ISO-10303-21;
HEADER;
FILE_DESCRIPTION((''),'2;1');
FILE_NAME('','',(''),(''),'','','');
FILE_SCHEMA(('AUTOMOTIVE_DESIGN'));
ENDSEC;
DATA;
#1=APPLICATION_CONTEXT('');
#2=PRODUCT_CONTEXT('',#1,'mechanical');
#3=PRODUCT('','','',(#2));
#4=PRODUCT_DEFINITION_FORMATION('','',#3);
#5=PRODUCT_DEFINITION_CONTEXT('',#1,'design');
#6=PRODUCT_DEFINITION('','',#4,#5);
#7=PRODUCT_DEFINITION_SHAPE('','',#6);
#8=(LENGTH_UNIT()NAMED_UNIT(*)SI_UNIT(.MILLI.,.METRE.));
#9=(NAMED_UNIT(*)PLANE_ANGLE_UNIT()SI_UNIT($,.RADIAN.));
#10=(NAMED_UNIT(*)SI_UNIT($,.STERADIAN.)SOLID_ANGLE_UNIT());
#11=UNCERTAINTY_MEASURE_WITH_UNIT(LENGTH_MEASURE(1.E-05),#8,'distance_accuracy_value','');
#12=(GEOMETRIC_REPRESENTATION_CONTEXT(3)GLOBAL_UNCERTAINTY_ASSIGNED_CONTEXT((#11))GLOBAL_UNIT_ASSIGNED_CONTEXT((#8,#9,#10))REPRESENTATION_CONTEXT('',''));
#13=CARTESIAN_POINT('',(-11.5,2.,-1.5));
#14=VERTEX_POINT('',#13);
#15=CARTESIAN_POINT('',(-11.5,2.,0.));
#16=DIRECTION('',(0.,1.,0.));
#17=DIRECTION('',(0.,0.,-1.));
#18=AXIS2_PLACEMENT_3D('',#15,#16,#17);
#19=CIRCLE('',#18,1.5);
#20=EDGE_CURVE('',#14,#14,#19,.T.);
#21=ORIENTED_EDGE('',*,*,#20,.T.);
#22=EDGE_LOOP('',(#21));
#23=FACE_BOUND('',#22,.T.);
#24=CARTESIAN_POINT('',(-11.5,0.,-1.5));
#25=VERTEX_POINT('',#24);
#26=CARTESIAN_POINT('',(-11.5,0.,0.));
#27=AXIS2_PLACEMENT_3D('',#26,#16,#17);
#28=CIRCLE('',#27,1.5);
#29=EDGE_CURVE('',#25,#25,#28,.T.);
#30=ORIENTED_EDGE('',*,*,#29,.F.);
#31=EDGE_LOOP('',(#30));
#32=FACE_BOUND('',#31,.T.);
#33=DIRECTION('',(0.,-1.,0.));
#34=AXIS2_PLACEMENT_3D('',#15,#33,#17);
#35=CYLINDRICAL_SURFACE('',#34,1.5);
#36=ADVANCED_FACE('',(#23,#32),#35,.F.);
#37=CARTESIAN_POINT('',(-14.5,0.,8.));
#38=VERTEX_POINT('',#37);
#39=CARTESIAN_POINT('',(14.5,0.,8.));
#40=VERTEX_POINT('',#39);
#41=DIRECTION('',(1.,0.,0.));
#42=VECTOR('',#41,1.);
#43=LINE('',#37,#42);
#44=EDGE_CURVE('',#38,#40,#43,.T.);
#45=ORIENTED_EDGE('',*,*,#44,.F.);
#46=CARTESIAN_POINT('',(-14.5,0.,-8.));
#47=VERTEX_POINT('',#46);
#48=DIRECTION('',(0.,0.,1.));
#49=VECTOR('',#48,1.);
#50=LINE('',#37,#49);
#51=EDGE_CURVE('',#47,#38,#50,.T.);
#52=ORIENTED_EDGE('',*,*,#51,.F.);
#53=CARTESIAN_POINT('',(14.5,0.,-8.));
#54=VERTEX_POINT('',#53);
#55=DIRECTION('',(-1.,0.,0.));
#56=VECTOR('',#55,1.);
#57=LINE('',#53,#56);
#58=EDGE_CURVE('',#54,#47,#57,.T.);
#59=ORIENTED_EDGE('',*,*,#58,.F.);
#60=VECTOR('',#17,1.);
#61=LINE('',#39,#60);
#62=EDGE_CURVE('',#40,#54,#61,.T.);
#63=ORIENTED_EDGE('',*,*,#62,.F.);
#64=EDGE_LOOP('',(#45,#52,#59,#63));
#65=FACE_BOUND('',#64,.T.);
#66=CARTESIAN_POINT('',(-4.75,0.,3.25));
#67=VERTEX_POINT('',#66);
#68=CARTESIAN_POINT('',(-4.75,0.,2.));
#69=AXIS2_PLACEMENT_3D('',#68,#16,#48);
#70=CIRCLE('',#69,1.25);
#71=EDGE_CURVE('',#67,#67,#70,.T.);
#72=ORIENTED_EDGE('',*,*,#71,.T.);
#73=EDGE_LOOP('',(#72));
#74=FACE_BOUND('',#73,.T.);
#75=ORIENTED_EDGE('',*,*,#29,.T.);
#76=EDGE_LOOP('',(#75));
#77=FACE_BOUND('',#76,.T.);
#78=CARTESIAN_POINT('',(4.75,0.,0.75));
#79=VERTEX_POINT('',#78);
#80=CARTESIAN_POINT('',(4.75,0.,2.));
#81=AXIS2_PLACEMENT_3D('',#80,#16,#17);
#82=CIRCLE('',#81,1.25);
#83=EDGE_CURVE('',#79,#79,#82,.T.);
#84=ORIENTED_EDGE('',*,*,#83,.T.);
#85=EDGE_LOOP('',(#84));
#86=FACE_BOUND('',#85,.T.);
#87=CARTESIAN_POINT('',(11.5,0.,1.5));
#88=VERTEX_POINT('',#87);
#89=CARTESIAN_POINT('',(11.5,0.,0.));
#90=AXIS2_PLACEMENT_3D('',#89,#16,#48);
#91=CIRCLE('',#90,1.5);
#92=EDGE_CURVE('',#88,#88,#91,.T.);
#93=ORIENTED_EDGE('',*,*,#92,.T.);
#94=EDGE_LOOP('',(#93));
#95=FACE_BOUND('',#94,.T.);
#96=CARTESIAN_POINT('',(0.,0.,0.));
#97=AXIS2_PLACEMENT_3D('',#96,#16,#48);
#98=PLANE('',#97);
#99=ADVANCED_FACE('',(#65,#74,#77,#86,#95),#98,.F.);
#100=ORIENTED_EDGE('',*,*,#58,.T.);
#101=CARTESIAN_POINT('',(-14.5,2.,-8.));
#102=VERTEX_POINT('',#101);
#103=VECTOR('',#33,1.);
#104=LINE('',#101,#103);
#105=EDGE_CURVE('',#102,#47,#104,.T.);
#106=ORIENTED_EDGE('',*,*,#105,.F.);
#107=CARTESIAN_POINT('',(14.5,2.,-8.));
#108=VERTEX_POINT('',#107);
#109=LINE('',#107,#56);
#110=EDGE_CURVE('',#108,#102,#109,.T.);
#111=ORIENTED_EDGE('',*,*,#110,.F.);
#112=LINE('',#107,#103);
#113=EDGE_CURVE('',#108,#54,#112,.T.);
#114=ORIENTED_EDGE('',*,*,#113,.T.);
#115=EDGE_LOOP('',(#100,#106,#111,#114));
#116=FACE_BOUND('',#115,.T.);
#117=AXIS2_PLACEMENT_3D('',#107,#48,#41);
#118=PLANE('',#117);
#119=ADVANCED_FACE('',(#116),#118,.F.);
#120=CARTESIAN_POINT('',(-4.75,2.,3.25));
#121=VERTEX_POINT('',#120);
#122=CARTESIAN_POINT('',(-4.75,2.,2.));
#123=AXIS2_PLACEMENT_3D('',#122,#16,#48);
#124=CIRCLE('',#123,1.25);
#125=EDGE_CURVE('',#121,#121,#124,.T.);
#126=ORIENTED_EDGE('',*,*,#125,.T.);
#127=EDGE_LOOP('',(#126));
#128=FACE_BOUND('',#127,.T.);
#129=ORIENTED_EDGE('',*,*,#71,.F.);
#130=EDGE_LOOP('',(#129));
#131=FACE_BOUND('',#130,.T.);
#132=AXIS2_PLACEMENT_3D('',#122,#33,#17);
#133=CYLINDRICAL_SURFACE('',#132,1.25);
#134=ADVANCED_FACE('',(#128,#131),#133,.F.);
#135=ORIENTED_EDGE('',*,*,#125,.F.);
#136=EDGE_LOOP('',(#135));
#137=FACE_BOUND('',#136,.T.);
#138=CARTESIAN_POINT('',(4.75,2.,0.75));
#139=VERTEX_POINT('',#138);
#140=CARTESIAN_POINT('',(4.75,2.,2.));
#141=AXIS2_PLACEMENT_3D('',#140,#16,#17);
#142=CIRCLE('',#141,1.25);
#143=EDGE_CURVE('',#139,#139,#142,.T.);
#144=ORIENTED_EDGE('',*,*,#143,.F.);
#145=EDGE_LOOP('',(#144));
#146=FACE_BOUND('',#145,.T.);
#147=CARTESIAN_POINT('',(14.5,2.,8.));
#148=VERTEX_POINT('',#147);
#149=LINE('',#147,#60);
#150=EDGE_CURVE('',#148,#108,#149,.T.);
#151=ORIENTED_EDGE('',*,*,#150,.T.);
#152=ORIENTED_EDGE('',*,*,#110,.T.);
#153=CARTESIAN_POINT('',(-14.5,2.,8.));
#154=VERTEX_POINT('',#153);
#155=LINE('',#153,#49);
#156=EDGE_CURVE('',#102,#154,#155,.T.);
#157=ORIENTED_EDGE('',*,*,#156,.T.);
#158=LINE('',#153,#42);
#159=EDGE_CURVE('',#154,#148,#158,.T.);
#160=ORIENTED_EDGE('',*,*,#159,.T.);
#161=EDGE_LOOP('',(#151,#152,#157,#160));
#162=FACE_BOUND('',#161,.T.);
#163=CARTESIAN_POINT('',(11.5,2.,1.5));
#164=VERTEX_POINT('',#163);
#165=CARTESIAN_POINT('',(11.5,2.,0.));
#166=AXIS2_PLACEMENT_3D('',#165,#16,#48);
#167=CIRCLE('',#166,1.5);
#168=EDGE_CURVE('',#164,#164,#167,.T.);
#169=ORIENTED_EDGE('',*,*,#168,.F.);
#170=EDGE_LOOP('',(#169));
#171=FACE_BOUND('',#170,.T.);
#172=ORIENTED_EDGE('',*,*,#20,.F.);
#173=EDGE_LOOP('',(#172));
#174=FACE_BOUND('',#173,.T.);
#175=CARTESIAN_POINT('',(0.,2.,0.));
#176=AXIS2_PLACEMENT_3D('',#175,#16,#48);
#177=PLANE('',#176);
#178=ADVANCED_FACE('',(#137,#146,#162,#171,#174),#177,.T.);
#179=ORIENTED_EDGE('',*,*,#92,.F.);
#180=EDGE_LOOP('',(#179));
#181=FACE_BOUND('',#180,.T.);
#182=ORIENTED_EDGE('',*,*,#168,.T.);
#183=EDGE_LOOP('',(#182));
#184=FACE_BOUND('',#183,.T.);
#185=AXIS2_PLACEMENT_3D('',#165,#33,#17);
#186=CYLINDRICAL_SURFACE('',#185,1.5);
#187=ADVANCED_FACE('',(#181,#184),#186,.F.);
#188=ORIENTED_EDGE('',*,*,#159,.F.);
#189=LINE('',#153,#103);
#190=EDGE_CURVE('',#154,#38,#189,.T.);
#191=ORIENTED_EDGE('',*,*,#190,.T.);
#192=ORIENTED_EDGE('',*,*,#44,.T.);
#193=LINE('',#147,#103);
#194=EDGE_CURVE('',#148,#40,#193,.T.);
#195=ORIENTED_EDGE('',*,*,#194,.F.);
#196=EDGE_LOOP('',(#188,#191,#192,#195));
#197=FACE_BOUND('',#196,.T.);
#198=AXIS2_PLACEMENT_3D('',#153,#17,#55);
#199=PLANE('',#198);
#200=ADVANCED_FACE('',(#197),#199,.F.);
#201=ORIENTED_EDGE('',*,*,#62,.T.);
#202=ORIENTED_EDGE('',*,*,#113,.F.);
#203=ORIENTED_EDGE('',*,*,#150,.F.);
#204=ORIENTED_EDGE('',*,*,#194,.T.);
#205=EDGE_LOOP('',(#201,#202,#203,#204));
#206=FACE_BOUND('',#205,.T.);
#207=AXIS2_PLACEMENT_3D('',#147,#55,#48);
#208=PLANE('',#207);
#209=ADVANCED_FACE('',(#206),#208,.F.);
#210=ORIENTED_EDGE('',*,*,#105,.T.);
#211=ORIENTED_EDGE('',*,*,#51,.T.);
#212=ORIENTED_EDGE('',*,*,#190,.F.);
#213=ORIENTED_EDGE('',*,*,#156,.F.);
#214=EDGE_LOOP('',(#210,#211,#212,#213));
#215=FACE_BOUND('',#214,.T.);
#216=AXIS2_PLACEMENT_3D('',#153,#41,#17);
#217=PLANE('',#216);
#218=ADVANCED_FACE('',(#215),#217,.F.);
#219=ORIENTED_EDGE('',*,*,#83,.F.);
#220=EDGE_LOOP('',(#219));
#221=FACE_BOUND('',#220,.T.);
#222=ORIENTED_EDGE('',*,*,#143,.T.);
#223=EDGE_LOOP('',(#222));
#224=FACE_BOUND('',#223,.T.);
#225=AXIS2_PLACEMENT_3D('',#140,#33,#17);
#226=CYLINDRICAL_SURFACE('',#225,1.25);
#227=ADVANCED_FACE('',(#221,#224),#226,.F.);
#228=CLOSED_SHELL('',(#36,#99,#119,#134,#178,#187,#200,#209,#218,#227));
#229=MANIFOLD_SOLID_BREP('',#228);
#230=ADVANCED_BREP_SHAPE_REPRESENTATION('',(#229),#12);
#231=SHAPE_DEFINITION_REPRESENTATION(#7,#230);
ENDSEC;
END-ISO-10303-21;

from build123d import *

# Parameters (mm, degrees)
CROQUIS1_W              = 29
CROQUIS1_H              = 16
CROQUIS1_R              = 1.5
CROQUIS1_R_2            = 1.25
SALIENTE_EXTRUIR1_DEPTH = 2


with BuildPart() as part:
    # Croquis1 → Saliente-Extruir1 (new body)
    with BuildSketch(Plane(origin=(0, 0, 0), x_dir=(1, 0, 0), z_dir=(0, 1, 0))):
        Rectangle(CROQUIS1_W, CROQUIS1_H)
        with Locations(Location((11.5, 0, 0), (0, 0, 270))):
            Circle(CROQUIS1_R, mode=Mode.SUBTRACT)
        with Locations(Location((-11.5, 0, 0), (0, 0, 90))):
            Circle(CROQUIS1_R, mode=Mode.SUBTRACT)
        with Locations(Location((-4.75, -2, 0), (0, 0, 270))):
            Circle(CROQUIS1_R_2, mode=Mode.SUBTRACT)
        with Locations(Location((4.75, -2, 0), (0, 0, 90))):
            Circle(CROQUIS1_R_2, mode=Mode.SUBTRACT)
    extrude(amount=SALIENTE_EXTRUIR1_DEPTH)


solid = part.part
